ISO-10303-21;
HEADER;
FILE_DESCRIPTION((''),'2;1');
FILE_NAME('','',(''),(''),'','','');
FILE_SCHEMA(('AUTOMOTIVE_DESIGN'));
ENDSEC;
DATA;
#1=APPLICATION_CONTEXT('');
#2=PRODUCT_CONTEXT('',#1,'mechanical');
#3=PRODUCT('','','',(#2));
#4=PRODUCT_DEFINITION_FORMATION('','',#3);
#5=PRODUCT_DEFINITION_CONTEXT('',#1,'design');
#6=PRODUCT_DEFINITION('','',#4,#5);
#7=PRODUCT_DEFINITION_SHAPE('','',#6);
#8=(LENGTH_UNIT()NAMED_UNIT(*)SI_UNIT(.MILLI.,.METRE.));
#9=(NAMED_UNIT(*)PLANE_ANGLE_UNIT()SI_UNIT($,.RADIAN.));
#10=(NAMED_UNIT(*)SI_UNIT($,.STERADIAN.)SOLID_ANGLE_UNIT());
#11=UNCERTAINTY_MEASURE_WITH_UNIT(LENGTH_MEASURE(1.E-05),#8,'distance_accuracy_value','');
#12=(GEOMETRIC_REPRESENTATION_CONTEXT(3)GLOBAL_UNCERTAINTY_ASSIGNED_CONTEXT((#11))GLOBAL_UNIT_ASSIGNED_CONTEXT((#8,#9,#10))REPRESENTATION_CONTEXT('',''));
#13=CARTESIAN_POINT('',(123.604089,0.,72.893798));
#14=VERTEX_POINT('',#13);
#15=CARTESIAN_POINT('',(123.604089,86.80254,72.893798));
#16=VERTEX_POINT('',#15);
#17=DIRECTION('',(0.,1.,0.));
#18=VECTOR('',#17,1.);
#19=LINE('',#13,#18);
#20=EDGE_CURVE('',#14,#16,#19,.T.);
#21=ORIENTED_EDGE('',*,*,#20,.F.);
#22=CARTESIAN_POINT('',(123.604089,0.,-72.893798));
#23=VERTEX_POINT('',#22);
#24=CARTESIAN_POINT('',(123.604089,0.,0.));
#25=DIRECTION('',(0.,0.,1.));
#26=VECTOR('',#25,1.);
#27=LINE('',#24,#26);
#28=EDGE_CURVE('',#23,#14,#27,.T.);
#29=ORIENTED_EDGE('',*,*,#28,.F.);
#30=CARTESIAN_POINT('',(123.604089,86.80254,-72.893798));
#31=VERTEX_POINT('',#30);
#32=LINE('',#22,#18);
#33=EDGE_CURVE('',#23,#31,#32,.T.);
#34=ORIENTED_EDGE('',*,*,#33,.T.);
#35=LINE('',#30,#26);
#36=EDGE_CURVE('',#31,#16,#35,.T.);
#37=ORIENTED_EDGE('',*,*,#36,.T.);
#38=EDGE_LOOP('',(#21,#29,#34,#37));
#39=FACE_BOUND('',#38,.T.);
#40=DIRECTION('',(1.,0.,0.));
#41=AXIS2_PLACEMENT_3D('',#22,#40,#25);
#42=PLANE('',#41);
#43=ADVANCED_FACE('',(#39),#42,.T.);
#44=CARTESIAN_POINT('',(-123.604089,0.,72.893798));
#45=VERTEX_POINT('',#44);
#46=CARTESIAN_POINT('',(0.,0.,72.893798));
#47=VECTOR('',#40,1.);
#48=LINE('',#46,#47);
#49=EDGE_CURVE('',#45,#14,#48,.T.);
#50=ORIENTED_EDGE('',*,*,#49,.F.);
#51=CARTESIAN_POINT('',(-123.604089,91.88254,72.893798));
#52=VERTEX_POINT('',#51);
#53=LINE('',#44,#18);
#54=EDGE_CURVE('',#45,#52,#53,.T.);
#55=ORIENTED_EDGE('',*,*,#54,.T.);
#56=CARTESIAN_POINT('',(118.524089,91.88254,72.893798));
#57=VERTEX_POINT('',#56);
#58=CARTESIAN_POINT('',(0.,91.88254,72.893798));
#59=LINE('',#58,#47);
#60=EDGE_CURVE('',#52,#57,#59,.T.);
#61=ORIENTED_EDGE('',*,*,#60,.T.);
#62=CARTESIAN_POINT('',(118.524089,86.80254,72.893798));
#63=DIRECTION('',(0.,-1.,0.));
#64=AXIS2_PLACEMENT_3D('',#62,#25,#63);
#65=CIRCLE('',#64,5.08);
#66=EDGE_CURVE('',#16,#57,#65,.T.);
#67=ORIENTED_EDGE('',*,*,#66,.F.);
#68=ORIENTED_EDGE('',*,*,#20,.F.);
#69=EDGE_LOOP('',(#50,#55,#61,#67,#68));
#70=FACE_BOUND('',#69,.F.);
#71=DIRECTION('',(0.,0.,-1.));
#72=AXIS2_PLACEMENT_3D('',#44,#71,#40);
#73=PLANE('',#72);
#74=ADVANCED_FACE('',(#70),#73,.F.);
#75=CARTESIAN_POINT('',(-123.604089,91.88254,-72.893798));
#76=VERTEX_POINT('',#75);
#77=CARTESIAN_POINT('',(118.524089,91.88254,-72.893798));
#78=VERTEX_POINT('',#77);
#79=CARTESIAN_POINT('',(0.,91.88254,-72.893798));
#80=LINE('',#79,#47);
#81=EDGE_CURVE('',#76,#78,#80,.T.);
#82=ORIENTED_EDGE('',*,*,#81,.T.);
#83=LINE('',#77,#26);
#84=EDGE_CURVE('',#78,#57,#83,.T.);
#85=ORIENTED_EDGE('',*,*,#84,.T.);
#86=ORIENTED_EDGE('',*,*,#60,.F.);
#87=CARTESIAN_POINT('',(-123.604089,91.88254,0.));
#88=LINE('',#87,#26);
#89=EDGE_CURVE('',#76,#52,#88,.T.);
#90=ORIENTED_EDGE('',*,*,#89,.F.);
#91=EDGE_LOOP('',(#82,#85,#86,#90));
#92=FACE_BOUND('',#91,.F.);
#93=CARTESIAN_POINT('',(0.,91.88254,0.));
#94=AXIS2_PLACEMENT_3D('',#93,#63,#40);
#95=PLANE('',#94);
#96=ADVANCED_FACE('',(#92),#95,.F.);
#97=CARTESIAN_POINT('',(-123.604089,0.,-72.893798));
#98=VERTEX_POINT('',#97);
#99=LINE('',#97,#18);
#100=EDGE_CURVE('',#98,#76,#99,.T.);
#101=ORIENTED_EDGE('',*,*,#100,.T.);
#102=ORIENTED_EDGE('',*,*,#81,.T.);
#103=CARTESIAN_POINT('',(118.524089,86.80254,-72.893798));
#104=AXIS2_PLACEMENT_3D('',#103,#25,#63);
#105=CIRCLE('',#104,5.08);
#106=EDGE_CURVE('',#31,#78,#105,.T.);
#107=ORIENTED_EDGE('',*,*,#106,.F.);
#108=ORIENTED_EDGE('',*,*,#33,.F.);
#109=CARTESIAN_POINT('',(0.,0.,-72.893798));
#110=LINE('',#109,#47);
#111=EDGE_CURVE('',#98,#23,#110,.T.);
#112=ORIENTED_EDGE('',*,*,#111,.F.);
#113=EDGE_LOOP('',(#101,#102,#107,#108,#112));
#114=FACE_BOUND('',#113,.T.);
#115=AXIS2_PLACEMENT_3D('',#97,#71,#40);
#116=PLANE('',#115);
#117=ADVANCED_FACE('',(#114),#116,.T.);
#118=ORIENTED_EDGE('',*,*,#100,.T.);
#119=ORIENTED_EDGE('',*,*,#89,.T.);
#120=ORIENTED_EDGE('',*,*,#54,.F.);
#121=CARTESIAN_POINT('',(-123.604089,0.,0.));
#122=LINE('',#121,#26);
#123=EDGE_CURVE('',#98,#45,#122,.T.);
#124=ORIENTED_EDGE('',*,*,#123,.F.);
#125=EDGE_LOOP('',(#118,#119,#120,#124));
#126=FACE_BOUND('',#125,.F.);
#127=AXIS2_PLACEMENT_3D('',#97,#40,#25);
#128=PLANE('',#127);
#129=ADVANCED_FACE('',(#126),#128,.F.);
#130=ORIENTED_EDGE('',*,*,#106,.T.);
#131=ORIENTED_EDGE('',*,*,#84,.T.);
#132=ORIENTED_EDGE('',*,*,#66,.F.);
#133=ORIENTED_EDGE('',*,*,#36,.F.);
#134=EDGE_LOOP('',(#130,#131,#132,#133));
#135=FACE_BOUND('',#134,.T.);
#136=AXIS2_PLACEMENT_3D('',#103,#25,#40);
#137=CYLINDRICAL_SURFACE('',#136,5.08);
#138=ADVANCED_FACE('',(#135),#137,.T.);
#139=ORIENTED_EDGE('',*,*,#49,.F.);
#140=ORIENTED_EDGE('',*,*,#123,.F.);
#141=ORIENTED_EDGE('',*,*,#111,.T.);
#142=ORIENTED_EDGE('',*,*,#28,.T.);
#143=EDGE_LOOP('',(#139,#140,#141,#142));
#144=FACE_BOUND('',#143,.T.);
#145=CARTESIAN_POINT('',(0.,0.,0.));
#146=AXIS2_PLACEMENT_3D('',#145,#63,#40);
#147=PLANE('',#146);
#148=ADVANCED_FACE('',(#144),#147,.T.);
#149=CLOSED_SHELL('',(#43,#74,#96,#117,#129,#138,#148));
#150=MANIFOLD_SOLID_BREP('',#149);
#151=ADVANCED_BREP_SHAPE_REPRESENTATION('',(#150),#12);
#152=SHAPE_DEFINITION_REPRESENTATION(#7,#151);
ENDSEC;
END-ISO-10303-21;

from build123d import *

# Parameters (mm, degrees)
F0_W     = 247.208178
F0_H     = 145.787596
F1_DEPTH = 91.88254
F2_R     = 5.08


with BuildPart() as f1:
    # F0 (on Front) → F1 (new body)
    with BuildSketch(Plane.XZ):
        Rectangle(F0_W, F0_H)
    extrude(amount=-F1_DEPTH)

    # F2
    f2_edges = [f1.edges().sort_by_distance(p)[0] for p in [
        (123.604089, 91.88254, 0),
    ]]
    fillet(f2_edges, radius=F2_R)


solid = f1.part
